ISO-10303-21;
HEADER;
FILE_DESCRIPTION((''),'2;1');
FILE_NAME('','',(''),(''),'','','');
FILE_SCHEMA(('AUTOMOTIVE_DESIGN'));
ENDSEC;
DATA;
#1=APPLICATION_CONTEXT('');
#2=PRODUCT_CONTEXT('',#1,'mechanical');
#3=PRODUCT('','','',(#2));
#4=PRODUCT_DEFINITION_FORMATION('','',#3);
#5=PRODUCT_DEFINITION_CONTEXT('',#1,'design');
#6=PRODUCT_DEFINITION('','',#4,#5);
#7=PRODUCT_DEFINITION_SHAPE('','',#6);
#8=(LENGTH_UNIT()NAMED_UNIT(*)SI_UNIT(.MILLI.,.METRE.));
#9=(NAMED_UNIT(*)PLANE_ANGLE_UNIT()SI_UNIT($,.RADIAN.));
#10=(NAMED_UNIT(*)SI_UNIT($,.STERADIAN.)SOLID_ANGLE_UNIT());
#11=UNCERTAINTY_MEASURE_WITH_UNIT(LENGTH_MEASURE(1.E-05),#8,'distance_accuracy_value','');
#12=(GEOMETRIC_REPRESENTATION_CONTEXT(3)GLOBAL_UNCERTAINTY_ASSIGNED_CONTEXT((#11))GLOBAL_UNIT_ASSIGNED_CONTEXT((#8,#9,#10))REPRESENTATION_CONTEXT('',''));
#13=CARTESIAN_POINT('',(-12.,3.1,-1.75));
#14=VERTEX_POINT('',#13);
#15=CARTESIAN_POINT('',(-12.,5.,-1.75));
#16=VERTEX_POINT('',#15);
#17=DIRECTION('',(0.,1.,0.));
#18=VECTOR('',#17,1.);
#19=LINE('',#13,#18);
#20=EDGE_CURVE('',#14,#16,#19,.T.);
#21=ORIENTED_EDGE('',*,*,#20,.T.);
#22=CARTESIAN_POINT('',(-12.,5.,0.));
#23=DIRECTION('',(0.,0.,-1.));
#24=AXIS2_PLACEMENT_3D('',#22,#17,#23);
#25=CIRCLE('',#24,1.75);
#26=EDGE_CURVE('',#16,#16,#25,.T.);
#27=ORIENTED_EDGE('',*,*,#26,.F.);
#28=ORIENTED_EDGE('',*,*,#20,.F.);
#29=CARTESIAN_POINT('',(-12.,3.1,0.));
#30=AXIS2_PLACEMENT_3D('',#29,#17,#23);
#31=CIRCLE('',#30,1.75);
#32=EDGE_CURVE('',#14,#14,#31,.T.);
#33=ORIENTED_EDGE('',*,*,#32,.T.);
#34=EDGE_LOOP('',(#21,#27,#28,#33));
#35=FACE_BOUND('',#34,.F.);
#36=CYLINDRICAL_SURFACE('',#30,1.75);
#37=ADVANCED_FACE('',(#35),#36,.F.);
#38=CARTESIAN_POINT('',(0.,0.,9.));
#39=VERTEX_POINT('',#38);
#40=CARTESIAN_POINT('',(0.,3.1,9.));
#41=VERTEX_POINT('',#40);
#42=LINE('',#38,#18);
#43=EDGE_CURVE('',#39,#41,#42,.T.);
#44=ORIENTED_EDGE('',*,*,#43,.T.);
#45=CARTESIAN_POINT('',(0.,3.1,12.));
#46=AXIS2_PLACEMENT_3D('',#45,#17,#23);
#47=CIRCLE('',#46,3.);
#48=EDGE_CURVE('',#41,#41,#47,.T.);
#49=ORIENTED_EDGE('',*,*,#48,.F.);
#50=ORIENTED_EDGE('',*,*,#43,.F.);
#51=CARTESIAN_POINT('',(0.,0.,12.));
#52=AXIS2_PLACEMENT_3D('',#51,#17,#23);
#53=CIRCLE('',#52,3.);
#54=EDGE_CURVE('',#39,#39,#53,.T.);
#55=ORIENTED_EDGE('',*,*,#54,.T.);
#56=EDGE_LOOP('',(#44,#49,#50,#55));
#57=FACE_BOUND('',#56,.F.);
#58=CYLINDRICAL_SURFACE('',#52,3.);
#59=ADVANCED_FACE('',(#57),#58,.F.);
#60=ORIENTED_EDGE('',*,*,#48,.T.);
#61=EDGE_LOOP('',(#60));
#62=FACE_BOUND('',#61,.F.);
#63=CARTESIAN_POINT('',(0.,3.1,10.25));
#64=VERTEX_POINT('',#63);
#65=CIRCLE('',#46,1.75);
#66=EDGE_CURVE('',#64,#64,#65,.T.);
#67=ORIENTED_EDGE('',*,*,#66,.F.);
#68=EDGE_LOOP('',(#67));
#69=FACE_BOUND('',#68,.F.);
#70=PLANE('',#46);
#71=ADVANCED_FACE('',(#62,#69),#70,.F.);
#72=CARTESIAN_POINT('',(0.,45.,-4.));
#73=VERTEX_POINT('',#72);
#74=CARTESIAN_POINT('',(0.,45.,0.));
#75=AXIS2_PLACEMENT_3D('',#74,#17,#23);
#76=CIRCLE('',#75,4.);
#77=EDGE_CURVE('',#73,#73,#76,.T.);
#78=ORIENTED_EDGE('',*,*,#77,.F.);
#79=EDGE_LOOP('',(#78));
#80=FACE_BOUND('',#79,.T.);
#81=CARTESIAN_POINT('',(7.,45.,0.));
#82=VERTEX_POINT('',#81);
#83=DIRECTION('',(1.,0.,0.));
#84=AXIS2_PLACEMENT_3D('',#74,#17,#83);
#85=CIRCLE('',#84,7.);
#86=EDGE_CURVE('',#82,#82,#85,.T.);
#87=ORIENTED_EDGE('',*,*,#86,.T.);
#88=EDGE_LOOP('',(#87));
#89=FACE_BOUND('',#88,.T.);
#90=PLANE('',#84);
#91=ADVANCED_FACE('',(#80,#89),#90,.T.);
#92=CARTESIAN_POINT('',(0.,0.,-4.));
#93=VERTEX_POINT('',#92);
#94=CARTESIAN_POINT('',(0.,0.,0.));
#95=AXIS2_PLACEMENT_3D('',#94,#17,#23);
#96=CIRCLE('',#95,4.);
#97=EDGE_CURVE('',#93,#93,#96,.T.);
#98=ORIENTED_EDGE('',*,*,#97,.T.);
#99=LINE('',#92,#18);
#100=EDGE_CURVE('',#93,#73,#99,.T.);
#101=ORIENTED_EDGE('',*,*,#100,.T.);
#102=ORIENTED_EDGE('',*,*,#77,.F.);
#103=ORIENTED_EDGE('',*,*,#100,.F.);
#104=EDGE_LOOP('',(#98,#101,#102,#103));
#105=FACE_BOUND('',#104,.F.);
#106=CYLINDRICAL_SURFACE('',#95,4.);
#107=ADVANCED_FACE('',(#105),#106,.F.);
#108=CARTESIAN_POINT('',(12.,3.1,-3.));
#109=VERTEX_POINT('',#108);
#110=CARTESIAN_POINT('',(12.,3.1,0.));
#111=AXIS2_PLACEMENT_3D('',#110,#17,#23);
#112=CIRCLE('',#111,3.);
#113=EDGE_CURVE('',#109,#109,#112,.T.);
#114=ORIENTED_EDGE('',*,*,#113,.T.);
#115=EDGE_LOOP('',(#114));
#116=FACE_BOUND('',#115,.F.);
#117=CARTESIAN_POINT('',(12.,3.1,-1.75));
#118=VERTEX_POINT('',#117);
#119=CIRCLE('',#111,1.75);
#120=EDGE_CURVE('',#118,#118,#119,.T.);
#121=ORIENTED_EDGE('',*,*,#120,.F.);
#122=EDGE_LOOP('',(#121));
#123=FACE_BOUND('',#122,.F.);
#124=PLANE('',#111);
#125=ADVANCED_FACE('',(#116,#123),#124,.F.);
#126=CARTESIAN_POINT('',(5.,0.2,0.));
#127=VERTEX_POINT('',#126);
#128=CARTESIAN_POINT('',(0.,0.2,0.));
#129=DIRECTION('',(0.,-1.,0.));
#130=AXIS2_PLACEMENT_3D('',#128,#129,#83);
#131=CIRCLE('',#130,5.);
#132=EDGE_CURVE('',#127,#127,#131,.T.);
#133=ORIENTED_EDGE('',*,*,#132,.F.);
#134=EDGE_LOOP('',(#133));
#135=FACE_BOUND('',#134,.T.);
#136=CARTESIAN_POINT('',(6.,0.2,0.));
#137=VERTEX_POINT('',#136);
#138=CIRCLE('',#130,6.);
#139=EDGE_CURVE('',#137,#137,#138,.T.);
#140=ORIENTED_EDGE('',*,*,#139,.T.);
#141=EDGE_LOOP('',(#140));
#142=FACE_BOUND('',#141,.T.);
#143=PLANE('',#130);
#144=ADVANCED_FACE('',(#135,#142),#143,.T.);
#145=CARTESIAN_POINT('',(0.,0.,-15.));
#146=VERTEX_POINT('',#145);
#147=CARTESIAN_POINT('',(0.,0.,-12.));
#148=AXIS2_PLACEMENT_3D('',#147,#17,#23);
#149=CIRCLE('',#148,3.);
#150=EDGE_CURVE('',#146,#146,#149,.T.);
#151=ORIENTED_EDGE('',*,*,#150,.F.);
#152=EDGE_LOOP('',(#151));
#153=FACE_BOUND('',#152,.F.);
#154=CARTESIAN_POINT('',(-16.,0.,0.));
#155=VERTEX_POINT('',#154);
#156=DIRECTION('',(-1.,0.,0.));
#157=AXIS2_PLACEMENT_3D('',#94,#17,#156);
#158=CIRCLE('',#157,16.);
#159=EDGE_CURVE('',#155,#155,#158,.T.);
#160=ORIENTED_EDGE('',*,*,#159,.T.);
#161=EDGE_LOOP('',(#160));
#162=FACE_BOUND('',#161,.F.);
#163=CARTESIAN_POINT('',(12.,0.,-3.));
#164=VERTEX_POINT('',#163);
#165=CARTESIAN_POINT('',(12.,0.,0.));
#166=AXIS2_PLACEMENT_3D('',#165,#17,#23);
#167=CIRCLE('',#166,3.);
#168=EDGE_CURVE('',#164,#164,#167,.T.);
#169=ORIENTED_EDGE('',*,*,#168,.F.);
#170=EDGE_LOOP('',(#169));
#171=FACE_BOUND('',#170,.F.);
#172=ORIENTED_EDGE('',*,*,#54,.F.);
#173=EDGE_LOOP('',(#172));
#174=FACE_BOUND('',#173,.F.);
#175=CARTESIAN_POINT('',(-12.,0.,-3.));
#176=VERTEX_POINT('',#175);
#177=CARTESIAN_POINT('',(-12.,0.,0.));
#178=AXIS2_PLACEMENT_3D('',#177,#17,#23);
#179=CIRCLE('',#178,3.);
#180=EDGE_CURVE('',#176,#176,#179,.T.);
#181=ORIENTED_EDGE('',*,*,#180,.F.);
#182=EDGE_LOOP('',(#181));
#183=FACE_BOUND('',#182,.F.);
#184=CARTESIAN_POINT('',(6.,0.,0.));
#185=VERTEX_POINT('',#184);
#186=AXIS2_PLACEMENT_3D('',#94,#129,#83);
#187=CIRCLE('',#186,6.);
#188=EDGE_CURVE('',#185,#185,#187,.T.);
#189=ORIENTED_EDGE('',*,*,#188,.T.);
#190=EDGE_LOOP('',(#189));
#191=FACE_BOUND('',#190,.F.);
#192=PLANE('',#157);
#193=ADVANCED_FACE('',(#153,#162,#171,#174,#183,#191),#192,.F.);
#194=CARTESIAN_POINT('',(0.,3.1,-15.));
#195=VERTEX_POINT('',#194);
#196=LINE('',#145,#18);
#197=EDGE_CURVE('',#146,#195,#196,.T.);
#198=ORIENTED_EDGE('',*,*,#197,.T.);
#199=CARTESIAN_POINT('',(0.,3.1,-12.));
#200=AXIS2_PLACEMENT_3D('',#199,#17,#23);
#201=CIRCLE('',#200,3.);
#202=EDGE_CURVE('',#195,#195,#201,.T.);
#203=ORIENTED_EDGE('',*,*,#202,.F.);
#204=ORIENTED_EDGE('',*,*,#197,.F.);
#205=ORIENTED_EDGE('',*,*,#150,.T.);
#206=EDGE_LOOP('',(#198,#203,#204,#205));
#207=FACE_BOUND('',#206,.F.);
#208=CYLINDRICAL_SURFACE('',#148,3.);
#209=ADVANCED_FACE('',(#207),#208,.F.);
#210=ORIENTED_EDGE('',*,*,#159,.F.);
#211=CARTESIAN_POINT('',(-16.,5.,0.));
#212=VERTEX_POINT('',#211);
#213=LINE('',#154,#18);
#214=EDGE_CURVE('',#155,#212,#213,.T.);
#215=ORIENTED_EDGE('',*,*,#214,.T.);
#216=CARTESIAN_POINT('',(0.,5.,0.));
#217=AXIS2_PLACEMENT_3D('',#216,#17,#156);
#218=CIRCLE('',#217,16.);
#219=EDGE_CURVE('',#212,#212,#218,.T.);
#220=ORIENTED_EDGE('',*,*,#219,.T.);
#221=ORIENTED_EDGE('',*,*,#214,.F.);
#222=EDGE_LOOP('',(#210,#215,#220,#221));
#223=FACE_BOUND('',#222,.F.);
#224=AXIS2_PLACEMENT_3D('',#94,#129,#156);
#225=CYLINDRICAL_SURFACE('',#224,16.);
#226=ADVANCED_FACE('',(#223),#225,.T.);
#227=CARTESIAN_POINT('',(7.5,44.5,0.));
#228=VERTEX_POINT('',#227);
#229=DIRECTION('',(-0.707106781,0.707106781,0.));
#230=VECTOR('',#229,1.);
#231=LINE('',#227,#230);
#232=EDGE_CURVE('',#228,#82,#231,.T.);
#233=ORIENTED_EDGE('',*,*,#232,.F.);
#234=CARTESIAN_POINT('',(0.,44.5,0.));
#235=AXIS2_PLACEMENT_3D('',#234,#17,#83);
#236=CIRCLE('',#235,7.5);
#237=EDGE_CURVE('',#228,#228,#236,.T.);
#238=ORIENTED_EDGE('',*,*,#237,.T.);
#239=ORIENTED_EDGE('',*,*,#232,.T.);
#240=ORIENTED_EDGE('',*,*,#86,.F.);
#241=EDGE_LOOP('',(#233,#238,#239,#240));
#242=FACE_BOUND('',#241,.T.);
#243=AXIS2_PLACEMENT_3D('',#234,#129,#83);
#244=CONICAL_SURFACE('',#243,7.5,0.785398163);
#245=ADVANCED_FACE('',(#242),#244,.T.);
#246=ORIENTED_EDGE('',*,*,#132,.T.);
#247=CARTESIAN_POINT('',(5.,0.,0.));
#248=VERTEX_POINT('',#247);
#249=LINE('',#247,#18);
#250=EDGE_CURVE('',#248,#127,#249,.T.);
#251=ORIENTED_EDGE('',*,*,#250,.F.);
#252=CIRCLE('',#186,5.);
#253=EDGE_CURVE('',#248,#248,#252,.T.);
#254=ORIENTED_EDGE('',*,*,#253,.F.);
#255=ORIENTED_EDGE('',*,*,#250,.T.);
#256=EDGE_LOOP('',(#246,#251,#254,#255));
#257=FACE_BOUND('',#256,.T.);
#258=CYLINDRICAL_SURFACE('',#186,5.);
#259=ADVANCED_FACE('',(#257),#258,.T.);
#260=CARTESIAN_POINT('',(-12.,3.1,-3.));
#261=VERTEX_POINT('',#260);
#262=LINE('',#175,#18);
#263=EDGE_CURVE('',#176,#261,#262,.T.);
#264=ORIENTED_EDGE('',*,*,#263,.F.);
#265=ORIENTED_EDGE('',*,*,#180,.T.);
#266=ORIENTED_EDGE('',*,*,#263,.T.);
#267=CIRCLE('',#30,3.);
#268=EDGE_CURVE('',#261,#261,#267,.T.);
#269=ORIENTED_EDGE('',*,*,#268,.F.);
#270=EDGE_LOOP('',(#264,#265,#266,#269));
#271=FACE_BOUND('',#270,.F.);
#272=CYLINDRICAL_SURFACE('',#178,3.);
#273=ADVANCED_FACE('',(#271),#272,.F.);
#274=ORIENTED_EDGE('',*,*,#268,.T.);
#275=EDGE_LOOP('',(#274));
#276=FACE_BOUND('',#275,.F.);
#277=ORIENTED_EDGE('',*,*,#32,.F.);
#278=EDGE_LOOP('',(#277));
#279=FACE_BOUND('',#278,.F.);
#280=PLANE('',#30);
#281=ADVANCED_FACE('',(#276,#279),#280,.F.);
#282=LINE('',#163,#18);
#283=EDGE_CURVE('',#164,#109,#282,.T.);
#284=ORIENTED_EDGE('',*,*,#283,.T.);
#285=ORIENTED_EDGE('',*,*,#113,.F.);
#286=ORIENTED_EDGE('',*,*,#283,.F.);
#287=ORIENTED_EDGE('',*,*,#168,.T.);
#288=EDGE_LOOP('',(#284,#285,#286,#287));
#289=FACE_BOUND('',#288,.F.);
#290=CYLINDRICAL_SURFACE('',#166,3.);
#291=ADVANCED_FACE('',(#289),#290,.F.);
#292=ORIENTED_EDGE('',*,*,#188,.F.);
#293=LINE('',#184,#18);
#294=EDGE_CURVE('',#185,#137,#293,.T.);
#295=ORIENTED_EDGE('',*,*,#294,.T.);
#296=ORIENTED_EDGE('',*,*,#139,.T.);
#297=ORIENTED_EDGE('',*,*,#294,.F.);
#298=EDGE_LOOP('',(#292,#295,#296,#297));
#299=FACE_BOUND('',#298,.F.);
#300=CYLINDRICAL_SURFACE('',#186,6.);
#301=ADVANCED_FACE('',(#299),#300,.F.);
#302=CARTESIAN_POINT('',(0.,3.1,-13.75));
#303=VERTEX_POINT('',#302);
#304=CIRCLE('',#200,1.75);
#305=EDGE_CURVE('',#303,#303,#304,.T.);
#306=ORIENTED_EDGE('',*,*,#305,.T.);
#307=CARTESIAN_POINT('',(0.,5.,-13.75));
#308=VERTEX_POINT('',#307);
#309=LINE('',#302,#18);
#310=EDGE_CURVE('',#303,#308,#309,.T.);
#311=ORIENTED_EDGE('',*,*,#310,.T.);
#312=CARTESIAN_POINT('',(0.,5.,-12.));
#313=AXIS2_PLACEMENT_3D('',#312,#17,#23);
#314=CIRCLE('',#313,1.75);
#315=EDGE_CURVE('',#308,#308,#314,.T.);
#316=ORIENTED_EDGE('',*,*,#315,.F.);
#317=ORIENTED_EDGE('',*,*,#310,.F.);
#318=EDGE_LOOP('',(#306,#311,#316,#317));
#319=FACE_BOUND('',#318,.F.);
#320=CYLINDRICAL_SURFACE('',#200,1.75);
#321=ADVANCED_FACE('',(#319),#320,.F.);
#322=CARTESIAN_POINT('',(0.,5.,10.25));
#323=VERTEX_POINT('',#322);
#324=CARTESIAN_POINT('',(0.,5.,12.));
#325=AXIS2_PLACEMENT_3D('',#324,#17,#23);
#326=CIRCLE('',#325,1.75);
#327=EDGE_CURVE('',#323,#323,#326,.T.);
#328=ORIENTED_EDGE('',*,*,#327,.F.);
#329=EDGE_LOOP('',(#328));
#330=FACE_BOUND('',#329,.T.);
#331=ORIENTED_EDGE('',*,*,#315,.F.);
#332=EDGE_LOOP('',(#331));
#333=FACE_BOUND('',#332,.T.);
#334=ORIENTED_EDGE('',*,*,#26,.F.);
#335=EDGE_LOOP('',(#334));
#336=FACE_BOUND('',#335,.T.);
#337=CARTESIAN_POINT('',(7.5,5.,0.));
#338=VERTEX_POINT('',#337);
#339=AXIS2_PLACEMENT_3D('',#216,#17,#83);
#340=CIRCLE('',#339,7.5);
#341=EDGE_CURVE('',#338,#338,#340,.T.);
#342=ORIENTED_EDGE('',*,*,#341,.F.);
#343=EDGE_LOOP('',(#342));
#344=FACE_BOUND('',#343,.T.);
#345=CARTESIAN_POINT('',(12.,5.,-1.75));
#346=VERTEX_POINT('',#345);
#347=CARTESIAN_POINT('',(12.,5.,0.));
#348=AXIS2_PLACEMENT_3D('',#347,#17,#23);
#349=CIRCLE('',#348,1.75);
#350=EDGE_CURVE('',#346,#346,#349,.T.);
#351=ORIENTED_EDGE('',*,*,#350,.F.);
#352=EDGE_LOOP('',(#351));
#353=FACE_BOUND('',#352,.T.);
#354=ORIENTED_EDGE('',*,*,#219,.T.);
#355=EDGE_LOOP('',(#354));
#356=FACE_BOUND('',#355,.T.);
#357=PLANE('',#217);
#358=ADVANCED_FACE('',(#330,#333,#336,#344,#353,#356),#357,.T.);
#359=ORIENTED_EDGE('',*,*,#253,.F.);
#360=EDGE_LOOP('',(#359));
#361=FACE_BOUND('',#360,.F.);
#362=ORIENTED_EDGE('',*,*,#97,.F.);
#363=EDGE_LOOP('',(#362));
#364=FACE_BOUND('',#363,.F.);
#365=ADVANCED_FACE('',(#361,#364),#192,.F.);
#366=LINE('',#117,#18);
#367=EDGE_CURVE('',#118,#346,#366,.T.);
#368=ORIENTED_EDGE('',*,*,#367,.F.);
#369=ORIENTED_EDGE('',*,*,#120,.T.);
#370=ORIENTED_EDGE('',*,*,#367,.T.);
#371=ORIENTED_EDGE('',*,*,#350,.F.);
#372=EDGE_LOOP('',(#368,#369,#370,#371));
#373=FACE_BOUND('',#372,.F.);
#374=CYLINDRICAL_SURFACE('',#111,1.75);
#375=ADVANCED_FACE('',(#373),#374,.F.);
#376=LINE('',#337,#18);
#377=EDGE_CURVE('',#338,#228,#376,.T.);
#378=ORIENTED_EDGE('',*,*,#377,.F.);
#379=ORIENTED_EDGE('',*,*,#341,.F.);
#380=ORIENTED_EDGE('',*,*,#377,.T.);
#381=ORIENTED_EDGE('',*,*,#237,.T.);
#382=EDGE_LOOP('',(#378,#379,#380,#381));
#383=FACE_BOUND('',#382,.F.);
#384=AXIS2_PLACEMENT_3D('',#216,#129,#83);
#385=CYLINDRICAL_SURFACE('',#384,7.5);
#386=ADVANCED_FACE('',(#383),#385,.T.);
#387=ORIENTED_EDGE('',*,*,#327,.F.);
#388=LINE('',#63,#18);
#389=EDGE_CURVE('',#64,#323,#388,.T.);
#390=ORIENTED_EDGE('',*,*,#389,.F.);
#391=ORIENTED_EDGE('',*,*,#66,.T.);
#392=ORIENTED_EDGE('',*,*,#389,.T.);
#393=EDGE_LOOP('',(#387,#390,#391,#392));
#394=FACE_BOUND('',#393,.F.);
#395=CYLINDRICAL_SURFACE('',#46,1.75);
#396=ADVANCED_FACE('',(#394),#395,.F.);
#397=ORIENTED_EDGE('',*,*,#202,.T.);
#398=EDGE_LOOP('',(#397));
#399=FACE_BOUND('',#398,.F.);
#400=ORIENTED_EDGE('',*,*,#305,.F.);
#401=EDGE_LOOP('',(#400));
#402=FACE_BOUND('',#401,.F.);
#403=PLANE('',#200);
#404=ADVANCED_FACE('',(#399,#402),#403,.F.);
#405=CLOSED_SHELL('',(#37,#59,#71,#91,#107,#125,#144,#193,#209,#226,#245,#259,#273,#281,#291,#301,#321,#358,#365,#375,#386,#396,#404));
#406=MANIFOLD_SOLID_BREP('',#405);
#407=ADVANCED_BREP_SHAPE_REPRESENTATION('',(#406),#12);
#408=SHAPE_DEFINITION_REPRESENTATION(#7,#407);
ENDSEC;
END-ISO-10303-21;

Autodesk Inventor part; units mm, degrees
ref_plane "YZ Plane" through (0, 0, 0) normal (1, 0, 0) x (0, 1, 0)
ref_plane "XZ Plane" through (0, 0, 0) normal (0, 1, 0) x (-1, 0, 0)
ref_plane "XY Plane" through (0, 0, 0) normal (0, 0, 1) x (1, 0, 0)
sketch "Sketch1" plane through (0, 0, 0) normal (0, 1, 0) x (-1, 0, 0)
  circle A0 centre (0, 0) radius 16
  dimension "d0" = 32
extrude "Extrusion1" add sketch "Sketch1" along normal blind 5
sketch "Sketch2" plane through (0, 5, 0) normal (0, 1, 0) x (1, 0, 0)
  circle A0 centre (0, 0) radius 7.5
  dimension "d3" = 15
extrude "Extrusion2" add sketch "Sketch2" along normal blind 40
sketch "Sketch3" plane through (0, 0, 0) normal (0, -1, 0) x (1, 0, 0)
  circle A0 centre (0, 0) radius 12 construction
  point P0 (0, 12)
  point P1 (12, 0)
  point P2 (0, -12)
  point P3 (-12, 0)
  dimension "d6" = 24
hole "Hole1" at (0, 0, 12) at (12, 0, 0) at (0, 0, -12) at (-12, 0, 0) direction (0, 1, 0) diameter 3.5 end through all counterbore diameter 6 counterbore depth 3.1 clearance for "Hex Head Cap Screw ISO 24017" size "M3" standard "ISO"
sketch "Sketch4" plane through (0, 0, 0) normal (0, -1, 0) x (1, 0, 0)
  point P0 (0, 0)
  point P1 (0, 0)
hole "Hole2" at (0, 0, 0) direction (0, 1, 0) diameter 8 end through all
sketch "Sketch5" plane through (0, 0, 0) normal (0, -1, 0) x (1, 0, 0)
  circle A0 centre (0, 0) radius 5
  circle A1 centre (0, 0) radius 6
  dimension "d21" = 10
  dimension "d22" = 12
extrude "Extrusion3" cut sketch "Sketch5" against normal blind 0.2
chamfer "Chamfer1" distance 0.5 angle 45 1 edges at (-7.5, 45, 0)
properties part number "Łożysko liniowe z kołnierzem okrągłym LMF08UU-L" material "Stainless Steel"
